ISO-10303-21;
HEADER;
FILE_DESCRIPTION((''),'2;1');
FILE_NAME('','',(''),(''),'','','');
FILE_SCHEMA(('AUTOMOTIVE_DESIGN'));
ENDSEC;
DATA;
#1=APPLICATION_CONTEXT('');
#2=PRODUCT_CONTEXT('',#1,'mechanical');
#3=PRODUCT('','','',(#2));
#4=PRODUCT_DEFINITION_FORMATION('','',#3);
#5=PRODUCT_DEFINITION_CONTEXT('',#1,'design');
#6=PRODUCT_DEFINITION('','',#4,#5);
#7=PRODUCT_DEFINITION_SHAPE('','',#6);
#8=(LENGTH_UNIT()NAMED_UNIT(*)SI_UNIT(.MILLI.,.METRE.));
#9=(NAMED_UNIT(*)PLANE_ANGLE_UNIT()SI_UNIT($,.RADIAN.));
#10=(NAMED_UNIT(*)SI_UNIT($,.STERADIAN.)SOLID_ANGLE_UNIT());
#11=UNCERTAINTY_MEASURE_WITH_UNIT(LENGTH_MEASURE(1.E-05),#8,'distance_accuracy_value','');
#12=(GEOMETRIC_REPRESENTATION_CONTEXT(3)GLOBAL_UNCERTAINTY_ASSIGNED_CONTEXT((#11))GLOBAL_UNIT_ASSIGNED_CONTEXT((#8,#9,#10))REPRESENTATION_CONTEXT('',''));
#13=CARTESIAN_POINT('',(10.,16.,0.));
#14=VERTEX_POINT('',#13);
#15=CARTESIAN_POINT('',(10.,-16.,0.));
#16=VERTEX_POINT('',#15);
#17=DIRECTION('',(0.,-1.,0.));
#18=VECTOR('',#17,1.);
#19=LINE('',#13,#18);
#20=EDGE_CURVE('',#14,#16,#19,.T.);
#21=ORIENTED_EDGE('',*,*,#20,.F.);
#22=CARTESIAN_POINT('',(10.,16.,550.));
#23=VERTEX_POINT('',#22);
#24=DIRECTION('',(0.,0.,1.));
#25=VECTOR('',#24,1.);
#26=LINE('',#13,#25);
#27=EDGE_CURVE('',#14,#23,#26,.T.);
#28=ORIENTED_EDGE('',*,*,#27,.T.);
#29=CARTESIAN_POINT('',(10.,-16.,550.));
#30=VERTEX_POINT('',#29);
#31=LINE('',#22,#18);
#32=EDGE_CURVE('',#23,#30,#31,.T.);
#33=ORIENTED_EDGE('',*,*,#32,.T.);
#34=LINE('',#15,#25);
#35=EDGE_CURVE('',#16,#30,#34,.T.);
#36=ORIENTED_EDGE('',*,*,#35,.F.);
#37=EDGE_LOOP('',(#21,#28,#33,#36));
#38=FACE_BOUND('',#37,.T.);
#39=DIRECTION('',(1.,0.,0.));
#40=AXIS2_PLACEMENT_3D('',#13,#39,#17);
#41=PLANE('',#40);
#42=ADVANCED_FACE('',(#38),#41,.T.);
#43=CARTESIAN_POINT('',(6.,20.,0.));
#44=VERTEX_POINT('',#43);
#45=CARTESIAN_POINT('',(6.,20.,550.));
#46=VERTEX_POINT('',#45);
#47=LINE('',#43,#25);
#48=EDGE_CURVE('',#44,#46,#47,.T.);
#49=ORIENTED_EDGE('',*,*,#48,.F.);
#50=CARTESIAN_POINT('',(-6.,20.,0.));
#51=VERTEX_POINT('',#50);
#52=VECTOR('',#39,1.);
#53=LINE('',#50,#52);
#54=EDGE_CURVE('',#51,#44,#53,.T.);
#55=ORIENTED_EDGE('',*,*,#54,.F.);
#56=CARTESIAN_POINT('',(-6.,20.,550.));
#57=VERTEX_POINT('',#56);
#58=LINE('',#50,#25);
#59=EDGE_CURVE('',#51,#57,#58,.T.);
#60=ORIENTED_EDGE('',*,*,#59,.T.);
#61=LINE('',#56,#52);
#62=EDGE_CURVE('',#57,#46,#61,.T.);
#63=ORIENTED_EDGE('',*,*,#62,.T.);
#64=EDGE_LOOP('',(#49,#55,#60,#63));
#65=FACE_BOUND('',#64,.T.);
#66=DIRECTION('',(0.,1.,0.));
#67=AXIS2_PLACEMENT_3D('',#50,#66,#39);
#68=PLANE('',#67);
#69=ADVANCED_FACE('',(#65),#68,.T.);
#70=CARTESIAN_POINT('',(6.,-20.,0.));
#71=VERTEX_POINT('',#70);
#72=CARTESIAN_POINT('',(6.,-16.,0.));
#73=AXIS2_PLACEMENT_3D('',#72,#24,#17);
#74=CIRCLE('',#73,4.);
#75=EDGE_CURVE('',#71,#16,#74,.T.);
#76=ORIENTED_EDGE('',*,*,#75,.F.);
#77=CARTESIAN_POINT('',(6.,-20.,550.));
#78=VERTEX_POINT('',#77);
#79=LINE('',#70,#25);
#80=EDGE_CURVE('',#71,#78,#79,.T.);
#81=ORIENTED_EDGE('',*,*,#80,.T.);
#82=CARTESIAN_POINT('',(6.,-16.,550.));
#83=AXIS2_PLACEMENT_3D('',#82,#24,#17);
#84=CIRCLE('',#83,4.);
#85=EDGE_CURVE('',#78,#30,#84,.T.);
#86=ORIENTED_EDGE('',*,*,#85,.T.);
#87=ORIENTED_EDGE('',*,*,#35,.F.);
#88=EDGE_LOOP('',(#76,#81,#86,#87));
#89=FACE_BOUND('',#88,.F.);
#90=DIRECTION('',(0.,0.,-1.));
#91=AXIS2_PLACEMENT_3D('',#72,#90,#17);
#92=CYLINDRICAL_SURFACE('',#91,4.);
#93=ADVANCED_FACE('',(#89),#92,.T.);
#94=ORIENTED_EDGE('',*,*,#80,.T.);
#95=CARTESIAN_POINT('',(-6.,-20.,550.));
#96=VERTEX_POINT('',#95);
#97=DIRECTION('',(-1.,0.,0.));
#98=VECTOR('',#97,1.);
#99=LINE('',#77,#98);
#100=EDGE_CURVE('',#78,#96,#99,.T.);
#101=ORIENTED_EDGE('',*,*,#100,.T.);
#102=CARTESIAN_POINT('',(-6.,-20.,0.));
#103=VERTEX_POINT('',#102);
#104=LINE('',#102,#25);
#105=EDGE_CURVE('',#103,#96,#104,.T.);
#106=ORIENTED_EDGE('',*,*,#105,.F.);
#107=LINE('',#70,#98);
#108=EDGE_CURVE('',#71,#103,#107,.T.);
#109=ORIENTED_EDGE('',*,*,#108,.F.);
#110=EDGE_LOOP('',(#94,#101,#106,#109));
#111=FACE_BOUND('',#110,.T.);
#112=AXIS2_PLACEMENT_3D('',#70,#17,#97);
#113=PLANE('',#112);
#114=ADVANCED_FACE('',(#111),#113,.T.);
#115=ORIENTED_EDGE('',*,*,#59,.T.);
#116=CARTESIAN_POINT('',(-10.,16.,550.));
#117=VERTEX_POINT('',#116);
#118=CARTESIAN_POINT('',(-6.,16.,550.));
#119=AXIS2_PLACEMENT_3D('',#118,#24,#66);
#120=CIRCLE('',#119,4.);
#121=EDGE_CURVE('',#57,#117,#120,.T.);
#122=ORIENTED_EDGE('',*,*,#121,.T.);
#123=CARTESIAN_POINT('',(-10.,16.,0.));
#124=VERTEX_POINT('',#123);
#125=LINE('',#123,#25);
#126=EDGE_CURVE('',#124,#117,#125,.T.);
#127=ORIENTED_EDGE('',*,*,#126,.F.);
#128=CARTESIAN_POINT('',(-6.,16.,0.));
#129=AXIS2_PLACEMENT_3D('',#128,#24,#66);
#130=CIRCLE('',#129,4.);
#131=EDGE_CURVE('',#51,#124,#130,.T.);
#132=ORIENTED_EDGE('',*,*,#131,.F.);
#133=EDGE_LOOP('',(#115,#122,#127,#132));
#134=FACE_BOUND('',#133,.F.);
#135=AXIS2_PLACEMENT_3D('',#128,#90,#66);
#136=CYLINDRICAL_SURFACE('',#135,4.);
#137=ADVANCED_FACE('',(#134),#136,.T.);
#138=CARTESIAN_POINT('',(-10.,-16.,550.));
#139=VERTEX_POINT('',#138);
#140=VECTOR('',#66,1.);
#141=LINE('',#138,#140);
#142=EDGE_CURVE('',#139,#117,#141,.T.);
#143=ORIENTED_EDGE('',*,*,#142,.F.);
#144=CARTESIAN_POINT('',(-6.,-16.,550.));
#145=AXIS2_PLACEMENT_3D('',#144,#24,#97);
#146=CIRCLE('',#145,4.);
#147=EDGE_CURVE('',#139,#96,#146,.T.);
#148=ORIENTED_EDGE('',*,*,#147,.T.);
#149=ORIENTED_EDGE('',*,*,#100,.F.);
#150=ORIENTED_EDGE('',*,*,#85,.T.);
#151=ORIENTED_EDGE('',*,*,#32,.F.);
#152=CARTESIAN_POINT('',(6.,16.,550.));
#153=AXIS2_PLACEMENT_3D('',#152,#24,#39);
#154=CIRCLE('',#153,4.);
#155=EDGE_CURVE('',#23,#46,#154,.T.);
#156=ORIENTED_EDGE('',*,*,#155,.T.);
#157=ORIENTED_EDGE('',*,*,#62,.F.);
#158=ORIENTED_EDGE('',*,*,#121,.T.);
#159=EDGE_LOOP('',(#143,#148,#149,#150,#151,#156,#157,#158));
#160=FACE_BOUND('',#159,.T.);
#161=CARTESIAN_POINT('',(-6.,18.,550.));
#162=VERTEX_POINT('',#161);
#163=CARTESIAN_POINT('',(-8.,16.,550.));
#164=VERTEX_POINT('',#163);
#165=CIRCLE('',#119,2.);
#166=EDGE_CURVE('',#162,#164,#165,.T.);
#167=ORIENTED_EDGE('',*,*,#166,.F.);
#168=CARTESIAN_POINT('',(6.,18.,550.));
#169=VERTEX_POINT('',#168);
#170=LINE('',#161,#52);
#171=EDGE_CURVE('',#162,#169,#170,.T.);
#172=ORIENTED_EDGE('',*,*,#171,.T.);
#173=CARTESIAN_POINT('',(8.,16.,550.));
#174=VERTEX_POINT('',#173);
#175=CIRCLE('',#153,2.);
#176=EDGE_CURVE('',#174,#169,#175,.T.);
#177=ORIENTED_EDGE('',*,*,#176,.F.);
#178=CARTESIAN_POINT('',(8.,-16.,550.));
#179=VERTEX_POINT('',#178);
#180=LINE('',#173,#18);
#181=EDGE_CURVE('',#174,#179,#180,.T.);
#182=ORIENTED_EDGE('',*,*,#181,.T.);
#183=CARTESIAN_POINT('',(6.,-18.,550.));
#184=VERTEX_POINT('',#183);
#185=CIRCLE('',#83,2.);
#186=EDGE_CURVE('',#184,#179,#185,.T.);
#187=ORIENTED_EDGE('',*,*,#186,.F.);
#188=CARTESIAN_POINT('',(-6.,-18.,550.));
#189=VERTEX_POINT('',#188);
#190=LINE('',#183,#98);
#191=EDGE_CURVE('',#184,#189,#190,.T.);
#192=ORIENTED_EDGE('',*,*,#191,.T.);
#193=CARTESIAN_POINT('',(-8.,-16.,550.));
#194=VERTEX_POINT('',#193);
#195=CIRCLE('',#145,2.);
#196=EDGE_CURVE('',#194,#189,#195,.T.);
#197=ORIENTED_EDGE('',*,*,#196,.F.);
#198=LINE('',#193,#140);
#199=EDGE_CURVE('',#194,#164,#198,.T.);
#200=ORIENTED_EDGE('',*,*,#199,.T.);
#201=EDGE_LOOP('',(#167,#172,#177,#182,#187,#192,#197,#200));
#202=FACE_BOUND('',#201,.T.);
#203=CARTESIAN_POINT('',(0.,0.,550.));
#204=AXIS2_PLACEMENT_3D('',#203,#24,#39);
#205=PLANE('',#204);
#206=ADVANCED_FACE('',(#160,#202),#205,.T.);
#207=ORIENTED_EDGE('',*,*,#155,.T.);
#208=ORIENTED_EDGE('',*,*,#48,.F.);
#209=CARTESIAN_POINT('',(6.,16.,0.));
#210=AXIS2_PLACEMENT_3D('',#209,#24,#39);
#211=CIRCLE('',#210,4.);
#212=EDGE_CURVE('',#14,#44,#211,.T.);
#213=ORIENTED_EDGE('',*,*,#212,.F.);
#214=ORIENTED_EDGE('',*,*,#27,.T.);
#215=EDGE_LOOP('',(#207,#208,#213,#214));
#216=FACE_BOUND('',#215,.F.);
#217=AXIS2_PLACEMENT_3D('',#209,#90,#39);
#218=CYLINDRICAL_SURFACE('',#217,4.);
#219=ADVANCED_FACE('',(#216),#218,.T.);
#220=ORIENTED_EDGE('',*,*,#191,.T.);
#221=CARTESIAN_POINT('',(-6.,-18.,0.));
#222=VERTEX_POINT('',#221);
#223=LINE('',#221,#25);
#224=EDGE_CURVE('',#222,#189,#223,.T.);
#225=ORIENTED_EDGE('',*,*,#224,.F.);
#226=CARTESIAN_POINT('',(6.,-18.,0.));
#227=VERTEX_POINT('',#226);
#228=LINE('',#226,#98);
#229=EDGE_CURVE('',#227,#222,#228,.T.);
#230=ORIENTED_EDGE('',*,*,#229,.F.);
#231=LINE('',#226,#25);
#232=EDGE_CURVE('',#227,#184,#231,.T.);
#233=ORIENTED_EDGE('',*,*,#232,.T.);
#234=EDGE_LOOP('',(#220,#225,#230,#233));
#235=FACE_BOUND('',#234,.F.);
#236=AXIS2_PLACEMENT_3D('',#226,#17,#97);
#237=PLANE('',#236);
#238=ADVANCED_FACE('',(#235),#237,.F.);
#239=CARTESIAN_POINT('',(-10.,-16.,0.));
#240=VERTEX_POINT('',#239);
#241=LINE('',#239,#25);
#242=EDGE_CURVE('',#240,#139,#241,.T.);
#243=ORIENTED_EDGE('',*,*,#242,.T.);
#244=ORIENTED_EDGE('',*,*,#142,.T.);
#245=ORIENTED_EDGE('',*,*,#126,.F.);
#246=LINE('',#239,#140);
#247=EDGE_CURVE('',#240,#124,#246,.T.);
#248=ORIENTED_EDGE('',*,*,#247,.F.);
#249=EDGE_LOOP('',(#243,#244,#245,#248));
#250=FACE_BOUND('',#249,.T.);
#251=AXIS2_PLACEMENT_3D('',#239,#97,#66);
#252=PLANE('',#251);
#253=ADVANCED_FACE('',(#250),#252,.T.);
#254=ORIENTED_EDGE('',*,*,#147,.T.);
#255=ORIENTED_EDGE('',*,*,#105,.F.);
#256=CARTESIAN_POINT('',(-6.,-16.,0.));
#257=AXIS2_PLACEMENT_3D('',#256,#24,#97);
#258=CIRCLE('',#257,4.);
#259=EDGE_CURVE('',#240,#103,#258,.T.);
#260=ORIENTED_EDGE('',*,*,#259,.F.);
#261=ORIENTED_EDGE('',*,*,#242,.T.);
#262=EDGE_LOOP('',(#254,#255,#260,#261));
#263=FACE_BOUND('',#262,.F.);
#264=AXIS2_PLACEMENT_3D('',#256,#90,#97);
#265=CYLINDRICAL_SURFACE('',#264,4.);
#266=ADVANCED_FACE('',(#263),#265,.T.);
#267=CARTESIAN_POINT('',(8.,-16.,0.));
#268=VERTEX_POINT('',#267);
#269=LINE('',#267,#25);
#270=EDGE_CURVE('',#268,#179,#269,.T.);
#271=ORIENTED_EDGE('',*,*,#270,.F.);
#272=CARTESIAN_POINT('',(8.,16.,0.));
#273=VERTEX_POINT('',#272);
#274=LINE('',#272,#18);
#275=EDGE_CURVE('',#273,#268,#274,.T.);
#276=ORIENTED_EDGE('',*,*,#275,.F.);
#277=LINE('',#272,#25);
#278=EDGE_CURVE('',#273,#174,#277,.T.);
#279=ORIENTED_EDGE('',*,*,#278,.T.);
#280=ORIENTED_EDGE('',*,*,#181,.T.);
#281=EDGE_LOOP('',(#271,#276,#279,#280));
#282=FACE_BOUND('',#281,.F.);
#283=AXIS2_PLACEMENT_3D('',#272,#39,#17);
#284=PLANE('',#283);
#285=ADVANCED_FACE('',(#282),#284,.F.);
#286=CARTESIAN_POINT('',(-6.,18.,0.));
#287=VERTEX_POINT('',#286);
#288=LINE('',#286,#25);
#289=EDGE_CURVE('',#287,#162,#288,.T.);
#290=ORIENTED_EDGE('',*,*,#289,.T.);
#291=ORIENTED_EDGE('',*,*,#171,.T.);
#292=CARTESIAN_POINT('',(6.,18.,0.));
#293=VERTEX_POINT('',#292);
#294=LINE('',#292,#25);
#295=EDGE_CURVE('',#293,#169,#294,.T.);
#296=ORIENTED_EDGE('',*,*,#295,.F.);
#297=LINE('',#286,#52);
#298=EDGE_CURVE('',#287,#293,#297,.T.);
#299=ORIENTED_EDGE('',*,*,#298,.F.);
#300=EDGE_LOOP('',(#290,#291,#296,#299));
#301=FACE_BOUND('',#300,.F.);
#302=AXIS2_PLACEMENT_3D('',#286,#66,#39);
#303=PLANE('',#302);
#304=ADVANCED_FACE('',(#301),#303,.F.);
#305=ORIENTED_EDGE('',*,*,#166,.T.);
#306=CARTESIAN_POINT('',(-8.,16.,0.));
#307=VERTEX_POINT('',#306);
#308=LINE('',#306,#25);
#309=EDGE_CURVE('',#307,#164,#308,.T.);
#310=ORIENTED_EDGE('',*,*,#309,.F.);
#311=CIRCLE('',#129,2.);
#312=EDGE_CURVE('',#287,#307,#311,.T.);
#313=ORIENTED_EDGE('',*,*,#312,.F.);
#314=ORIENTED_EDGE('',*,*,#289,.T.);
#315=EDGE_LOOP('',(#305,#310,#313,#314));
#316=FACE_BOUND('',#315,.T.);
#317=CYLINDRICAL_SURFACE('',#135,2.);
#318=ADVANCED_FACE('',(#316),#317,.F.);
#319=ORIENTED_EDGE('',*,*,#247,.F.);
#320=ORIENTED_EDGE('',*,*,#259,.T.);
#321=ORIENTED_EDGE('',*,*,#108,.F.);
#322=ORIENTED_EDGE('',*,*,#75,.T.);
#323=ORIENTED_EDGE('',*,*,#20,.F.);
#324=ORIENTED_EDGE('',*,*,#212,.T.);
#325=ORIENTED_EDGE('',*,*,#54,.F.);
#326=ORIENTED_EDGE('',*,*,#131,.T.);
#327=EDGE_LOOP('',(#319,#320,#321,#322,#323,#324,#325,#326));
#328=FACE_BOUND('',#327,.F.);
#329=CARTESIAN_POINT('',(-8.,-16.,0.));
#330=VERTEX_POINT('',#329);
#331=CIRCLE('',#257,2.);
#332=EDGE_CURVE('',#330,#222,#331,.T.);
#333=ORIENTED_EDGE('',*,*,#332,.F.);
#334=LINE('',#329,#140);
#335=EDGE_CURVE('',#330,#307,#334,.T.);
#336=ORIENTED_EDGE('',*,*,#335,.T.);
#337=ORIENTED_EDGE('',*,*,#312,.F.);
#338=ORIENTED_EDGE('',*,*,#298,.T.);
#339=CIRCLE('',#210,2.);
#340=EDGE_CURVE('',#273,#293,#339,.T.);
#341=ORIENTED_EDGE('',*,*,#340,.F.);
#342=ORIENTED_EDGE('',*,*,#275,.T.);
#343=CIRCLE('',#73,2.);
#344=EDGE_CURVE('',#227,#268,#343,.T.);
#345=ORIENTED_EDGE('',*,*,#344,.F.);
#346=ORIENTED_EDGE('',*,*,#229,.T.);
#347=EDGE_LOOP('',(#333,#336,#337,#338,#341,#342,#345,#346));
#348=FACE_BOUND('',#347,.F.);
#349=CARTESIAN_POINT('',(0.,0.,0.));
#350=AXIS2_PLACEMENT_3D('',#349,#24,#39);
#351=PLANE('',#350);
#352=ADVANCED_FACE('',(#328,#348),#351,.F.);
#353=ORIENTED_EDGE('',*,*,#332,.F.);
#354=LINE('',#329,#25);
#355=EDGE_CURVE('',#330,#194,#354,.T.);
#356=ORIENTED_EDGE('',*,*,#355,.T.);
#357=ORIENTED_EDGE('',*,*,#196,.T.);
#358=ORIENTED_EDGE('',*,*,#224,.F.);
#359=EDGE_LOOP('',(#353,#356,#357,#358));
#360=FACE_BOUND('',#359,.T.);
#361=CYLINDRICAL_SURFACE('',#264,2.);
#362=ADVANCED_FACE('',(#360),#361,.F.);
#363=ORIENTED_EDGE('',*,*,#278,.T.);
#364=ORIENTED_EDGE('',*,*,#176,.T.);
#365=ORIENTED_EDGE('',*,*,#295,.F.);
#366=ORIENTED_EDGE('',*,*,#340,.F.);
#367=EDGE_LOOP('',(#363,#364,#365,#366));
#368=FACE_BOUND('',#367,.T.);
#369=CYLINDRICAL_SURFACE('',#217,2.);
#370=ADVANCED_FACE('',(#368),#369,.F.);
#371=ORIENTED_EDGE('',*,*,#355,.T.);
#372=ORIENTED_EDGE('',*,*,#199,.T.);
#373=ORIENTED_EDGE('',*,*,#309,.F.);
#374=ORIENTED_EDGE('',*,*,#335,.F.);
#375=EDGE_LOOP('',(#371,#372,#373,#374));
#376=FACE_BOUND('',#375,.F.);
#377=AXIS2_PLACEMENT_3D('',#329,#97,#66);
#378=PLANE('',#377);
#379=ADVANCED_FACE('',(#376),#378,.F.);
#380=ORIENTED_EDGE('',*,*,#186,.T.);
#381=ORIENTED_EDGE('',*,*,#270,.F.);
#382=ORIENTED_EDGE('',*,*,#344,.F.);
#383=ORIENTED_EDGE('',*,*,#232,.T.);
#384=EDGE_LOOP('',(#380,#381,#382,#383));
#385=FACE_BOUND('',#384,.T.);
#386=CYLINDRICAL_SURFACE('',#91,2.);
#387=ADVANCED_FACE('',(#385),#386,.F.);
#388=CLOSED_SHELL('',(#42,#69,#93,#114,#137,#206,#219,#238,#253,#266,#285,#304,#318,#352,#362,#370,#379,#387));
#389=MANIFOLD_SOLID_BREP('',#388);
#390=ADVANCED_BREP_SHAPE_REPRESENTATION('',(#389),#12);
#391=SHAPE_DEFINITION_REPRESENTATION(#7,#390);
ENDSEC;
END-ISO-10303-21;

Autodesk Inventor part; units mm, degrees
ref_plane "YZ Plane" through (0, 0, 0) normal (1, 0, 0) x (0, 1, 0)
ref_plane "Start Plane" through (0, 0, 0) normal (0, 0, 1) x (1, 0, 0)
ref_plane "End Plane" through (0, 0, 550) normal (0, 0, 1) x (1, 0, 0)
sketch "Sketch" plane through (0, 0, 0) normal (0, 0, 1) x (1, 0, 0)
  line L0 (-10, -16) -> (-10, 16)
  line L1 (-6, 20) -> (6, 20)
  line L2 (10, 16) -> (10, -16)
  line L3 (6, -20) -> (-6, -20)
  arc A0 (-10, -16) -> (-6, -20) centre (-6, -16) ccw
  arc A1 (10, 16) -> (6, 20) centre (6, 16) ccw
  arc A2 (-6, 20) -> (-10, 16) centre (-6, 16) ccw
  arc A3 (6, -20) -> (10, -16) centre (6, -16) ccw
  arc A4 (-6, 18) -> (-8, 16) centre (-6, 16) ccw
  line L4 (-6, 18) -> (6, 18)
  arc A5 (8, 16) -> (6, 18) centre (6, 16) ccw
  line L5 (8, 16) -> (8, -16)
  arc A6 (6, -18) -> (8, -16) centre (6, -16) ccw
  line L6 (6, -18) -> (-6, -18)
  arc A7 (-8, -16) -> (-6, -18) centre (-6, -16) ccw
  line L7 (-8, -16) -> (-8, 16)
  line L8 (0, 29.1598) -> (0, -29.1598) construction
  line L9 (-15.1598, 0) -> (15.1598, 0) construction
  dimension "d7" = 4
  dimension "d9" = 20
  dimension "d11" = 40
  dimension "d12" = 2
  dimension "d15" = 10
  dimension "d16" = 20
extrude "Body" add sketch "Sketch" along normal up to surface (550 mm away) from surface at 0
sketch "Sketch3" plane through (0, 0, 0) normal (0, 0, 1) x (1, 0, 0)
  line L0 (0, 0) -> (10, 0)
ref_plane "Work Plane3" through (0, 0, 0) normal (0, -1, 0) x (1, 0, 0)
sketch "Sketch4" plane through (0, 0, 0) normal (0, -1, 0) x (1, 0, 0)
  line L0 (-2, 0) -> (12, 0) projected
  line L1 (-2, 550) -> (12, 550) projected
  dimension "d18" = 550
equation "\"d7\" = G_IR"
equation "\"d9\" = G_W"
equation "\"d11\" = G_H"
equation "\"d12\" = G_T"
equation "\"d15\" = 0.5 * d9"
equation "\"d16\" = 0.5 * d11"
equation "\"d3\" = G_L"
equation "\"G_W\" = 20"
equation "\"G_H\" = 40"
equation "\"G_T\" = 2"
equation "\"G_IR\" = 4"
equation "\"G_L\" = d18"
equation "\"G_OFFSET_START\" = 0"
equation "\"G_OFFSET_END\" = 0"
properties part number "ISO 4019 - 40x20x2 - 550" material "Steel, Mild"
